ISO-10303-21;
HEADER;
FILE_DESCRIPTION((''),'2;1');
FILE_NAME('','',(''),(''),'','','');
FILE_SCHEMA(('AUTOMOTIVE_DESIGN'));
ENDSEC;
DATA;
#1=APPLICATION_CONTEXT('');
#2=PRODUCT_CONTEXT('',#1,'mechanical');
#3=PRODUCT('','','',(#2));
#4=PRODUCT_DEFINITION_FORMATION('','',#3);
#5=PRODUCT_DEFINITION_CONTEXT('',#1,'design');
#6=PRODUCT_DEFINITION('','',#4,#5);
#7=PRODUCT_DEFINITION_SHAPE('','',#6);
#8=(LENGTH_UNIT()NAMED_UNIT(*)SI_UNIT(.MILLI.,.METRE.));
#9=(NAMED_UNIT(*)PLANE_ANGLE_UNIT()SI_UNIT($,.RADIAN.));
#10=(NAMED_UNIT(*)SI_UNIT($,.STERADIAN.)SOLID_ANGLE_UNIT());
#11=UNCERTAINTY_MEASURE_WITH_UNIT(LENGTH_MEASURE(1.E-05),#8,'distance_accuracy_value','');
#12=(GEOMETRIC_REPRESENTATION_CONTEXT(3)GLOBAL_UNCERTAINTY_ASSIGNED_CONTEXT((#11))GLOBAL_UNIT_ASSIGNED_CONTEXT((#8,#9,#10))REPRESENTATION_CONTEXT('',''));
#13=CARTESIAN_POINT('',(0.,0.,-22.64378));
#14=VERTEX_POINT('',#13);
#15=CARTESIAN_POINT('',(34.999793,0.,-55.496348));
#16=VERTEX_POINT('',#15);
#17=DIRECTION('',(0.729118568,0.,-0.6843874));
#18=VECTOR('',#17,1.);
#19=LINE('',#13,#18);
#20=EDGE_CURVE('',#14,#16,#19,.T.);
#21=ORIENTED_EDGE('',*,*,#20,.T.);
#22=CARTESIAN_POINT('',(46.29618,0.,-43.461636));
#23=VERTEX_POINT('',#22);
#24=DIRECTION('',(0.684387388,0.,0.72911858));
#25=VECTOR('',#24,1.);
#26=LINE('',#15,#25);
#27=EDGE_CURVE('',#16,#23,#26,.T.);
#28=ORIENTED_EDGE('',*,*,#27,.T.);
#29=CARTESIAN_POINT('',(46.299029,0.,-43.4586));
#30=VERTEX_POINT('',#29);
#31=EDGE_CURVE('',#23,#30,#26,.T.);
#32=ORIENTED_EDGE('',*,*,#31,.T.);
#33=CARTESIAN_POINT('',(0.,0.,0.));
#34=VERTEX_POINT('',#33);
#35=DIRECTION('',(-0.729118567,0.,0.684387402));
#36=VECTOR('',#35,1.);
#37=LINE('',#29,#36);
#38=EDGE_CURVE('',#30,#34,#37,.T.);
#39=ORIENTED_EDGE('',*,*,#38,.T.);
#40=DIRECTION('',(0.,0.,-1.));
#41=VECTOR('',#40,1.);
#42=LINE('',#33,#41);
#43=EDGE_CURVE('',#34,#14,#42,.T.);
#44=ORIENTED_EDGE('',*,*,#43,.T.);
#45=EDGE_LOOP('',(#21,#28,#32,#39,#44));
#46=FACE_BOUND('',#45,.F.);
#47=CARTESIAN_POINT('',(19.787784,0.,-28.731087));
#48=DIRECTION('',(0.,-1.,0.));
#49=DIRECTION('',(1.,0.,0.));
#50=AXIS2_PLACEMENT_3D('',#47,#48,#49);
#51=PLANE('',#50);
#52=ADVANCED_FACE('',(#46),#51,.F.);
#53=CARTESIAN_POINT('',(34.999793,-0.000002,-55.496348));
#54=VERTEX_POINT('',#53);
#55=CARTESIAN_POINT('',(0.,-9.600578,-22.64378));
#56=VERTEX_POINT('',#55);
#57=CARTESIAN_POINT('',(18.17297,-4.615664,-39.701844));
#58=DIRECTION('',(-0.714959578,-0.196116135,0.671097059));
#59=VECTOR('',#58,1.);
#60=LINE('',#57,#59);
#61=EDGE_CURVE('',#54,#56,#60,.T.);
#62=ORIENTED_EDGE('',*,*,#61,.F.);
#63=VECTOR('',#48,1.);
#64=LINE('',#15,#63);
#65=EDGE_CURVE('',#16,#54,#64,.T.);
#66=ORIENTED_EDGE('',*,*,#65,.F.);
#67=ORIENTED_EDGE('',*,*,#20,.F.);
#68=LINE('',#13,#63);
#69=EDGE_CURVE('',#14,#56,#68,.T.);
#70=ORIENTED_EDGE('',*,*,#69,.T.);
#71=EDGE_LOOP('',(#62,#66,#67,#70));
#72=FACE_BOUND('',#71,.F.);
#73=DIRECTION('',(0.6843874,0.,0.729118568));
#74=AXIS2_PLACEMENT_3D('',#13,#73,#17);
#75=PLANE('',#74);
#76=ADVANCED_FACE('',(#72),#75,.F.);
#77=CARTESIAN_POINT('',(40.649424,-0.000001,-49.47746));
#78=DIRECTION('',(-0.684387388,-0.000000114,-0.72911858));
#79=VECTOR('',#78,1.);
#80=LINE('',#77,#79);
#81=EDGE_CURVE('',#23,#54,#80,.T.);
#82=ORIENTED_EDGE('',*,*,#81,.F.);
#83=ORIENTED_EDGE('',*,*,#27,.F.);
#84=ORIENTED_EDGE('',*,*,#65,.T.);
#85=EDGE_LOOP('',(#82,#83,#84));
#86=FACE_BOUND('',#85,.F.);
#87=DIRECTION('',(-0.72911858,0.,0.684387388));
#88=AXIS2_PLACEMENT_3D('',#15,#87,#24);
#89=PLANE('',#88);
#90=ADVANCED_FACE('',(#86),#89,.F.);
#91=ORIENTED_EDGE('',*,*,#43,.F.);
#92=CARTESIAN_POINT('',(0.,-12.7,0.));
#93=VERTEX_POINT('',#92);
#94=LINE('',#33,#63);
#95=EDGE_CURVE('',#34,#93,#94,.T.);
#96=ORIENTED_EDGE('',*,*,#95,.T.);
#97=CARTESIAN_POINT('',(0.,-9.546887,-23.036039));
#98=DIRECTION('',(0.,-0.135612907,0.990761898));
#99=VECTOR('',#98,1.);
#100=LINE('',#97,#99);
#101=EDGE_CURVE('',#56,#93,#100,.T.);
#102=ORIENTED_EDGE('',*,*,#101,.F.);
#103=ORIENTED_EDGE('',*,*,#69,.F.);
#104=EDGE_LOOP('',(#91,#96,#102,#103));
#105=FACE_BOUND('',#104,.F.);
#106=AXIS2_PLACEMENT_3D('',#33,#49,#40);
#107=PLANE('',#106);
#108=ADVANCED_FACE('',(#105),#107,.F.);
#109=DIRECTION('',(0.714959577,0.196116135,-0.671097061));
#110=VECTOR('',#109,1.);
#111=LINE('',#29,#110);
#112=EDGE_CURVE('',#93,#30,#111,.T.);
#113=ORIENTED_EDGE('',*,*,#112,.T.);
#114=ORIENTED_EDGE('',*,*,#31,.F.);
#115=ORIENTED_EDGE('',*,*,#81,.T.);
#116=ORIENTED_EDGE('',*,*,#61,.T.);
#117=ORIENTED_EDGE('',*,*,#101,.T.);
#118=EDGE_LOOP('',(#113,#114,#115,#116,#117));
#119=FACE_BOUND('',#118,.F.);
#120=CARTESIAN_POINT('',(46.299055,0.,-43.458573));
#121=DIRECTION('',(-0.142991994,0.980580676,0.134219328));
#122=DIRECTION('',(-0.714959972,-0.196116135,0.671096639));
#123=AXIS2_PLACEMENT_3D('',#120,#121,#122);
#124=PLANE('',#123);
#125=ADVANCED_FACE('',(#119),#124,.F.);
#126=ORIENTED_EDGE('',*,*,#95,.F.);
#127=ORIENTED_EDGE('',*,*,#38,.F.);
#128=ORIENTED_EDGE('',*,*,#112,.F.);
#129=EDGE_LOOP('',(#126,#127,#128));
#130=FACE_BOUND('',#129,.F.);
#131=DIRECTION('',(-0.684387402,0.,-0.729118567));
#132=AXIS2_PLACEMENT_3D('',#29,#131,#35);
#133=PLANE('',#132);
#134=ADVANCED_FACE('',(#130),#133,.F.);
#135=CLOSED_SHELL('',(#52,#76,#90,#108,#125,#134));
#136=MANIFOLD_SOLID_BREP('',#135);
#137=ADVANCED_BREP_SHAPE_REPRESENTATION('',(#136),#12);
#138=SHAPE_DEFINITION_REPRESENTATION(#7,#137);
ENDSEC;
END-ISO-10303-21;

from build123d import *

# Parameters (mm, degrees)
F1_DEPTH = 12.7
F3_DEPTH = 40.464417


with BuildPart() as f1:
    # F0 (on Front) → F1 (new body)
    with BuildSketch(Plane.XZ):
        Polygon((46.299029, -43.4586), (0, 0), (0, -22.64378), (34.999793, -55.496348), align=None)
    extrude(amount=F1_DEPTH)

    # F2 (on face) → F3 (cut, through all)
    with BuildSketch(Plane(origin=(0, 0, 0), x_dir=(0.729119, 0, -0.684387), z_dir=(0.684387, 0, 0.729119))):
        Polygon((63.5, -12.7), (63.5, 0), (0, -12.7), align=None)
    extrude(amount=-F3_DEPTH, mode=Mode.SUBTRACT)


solid = f1.part
